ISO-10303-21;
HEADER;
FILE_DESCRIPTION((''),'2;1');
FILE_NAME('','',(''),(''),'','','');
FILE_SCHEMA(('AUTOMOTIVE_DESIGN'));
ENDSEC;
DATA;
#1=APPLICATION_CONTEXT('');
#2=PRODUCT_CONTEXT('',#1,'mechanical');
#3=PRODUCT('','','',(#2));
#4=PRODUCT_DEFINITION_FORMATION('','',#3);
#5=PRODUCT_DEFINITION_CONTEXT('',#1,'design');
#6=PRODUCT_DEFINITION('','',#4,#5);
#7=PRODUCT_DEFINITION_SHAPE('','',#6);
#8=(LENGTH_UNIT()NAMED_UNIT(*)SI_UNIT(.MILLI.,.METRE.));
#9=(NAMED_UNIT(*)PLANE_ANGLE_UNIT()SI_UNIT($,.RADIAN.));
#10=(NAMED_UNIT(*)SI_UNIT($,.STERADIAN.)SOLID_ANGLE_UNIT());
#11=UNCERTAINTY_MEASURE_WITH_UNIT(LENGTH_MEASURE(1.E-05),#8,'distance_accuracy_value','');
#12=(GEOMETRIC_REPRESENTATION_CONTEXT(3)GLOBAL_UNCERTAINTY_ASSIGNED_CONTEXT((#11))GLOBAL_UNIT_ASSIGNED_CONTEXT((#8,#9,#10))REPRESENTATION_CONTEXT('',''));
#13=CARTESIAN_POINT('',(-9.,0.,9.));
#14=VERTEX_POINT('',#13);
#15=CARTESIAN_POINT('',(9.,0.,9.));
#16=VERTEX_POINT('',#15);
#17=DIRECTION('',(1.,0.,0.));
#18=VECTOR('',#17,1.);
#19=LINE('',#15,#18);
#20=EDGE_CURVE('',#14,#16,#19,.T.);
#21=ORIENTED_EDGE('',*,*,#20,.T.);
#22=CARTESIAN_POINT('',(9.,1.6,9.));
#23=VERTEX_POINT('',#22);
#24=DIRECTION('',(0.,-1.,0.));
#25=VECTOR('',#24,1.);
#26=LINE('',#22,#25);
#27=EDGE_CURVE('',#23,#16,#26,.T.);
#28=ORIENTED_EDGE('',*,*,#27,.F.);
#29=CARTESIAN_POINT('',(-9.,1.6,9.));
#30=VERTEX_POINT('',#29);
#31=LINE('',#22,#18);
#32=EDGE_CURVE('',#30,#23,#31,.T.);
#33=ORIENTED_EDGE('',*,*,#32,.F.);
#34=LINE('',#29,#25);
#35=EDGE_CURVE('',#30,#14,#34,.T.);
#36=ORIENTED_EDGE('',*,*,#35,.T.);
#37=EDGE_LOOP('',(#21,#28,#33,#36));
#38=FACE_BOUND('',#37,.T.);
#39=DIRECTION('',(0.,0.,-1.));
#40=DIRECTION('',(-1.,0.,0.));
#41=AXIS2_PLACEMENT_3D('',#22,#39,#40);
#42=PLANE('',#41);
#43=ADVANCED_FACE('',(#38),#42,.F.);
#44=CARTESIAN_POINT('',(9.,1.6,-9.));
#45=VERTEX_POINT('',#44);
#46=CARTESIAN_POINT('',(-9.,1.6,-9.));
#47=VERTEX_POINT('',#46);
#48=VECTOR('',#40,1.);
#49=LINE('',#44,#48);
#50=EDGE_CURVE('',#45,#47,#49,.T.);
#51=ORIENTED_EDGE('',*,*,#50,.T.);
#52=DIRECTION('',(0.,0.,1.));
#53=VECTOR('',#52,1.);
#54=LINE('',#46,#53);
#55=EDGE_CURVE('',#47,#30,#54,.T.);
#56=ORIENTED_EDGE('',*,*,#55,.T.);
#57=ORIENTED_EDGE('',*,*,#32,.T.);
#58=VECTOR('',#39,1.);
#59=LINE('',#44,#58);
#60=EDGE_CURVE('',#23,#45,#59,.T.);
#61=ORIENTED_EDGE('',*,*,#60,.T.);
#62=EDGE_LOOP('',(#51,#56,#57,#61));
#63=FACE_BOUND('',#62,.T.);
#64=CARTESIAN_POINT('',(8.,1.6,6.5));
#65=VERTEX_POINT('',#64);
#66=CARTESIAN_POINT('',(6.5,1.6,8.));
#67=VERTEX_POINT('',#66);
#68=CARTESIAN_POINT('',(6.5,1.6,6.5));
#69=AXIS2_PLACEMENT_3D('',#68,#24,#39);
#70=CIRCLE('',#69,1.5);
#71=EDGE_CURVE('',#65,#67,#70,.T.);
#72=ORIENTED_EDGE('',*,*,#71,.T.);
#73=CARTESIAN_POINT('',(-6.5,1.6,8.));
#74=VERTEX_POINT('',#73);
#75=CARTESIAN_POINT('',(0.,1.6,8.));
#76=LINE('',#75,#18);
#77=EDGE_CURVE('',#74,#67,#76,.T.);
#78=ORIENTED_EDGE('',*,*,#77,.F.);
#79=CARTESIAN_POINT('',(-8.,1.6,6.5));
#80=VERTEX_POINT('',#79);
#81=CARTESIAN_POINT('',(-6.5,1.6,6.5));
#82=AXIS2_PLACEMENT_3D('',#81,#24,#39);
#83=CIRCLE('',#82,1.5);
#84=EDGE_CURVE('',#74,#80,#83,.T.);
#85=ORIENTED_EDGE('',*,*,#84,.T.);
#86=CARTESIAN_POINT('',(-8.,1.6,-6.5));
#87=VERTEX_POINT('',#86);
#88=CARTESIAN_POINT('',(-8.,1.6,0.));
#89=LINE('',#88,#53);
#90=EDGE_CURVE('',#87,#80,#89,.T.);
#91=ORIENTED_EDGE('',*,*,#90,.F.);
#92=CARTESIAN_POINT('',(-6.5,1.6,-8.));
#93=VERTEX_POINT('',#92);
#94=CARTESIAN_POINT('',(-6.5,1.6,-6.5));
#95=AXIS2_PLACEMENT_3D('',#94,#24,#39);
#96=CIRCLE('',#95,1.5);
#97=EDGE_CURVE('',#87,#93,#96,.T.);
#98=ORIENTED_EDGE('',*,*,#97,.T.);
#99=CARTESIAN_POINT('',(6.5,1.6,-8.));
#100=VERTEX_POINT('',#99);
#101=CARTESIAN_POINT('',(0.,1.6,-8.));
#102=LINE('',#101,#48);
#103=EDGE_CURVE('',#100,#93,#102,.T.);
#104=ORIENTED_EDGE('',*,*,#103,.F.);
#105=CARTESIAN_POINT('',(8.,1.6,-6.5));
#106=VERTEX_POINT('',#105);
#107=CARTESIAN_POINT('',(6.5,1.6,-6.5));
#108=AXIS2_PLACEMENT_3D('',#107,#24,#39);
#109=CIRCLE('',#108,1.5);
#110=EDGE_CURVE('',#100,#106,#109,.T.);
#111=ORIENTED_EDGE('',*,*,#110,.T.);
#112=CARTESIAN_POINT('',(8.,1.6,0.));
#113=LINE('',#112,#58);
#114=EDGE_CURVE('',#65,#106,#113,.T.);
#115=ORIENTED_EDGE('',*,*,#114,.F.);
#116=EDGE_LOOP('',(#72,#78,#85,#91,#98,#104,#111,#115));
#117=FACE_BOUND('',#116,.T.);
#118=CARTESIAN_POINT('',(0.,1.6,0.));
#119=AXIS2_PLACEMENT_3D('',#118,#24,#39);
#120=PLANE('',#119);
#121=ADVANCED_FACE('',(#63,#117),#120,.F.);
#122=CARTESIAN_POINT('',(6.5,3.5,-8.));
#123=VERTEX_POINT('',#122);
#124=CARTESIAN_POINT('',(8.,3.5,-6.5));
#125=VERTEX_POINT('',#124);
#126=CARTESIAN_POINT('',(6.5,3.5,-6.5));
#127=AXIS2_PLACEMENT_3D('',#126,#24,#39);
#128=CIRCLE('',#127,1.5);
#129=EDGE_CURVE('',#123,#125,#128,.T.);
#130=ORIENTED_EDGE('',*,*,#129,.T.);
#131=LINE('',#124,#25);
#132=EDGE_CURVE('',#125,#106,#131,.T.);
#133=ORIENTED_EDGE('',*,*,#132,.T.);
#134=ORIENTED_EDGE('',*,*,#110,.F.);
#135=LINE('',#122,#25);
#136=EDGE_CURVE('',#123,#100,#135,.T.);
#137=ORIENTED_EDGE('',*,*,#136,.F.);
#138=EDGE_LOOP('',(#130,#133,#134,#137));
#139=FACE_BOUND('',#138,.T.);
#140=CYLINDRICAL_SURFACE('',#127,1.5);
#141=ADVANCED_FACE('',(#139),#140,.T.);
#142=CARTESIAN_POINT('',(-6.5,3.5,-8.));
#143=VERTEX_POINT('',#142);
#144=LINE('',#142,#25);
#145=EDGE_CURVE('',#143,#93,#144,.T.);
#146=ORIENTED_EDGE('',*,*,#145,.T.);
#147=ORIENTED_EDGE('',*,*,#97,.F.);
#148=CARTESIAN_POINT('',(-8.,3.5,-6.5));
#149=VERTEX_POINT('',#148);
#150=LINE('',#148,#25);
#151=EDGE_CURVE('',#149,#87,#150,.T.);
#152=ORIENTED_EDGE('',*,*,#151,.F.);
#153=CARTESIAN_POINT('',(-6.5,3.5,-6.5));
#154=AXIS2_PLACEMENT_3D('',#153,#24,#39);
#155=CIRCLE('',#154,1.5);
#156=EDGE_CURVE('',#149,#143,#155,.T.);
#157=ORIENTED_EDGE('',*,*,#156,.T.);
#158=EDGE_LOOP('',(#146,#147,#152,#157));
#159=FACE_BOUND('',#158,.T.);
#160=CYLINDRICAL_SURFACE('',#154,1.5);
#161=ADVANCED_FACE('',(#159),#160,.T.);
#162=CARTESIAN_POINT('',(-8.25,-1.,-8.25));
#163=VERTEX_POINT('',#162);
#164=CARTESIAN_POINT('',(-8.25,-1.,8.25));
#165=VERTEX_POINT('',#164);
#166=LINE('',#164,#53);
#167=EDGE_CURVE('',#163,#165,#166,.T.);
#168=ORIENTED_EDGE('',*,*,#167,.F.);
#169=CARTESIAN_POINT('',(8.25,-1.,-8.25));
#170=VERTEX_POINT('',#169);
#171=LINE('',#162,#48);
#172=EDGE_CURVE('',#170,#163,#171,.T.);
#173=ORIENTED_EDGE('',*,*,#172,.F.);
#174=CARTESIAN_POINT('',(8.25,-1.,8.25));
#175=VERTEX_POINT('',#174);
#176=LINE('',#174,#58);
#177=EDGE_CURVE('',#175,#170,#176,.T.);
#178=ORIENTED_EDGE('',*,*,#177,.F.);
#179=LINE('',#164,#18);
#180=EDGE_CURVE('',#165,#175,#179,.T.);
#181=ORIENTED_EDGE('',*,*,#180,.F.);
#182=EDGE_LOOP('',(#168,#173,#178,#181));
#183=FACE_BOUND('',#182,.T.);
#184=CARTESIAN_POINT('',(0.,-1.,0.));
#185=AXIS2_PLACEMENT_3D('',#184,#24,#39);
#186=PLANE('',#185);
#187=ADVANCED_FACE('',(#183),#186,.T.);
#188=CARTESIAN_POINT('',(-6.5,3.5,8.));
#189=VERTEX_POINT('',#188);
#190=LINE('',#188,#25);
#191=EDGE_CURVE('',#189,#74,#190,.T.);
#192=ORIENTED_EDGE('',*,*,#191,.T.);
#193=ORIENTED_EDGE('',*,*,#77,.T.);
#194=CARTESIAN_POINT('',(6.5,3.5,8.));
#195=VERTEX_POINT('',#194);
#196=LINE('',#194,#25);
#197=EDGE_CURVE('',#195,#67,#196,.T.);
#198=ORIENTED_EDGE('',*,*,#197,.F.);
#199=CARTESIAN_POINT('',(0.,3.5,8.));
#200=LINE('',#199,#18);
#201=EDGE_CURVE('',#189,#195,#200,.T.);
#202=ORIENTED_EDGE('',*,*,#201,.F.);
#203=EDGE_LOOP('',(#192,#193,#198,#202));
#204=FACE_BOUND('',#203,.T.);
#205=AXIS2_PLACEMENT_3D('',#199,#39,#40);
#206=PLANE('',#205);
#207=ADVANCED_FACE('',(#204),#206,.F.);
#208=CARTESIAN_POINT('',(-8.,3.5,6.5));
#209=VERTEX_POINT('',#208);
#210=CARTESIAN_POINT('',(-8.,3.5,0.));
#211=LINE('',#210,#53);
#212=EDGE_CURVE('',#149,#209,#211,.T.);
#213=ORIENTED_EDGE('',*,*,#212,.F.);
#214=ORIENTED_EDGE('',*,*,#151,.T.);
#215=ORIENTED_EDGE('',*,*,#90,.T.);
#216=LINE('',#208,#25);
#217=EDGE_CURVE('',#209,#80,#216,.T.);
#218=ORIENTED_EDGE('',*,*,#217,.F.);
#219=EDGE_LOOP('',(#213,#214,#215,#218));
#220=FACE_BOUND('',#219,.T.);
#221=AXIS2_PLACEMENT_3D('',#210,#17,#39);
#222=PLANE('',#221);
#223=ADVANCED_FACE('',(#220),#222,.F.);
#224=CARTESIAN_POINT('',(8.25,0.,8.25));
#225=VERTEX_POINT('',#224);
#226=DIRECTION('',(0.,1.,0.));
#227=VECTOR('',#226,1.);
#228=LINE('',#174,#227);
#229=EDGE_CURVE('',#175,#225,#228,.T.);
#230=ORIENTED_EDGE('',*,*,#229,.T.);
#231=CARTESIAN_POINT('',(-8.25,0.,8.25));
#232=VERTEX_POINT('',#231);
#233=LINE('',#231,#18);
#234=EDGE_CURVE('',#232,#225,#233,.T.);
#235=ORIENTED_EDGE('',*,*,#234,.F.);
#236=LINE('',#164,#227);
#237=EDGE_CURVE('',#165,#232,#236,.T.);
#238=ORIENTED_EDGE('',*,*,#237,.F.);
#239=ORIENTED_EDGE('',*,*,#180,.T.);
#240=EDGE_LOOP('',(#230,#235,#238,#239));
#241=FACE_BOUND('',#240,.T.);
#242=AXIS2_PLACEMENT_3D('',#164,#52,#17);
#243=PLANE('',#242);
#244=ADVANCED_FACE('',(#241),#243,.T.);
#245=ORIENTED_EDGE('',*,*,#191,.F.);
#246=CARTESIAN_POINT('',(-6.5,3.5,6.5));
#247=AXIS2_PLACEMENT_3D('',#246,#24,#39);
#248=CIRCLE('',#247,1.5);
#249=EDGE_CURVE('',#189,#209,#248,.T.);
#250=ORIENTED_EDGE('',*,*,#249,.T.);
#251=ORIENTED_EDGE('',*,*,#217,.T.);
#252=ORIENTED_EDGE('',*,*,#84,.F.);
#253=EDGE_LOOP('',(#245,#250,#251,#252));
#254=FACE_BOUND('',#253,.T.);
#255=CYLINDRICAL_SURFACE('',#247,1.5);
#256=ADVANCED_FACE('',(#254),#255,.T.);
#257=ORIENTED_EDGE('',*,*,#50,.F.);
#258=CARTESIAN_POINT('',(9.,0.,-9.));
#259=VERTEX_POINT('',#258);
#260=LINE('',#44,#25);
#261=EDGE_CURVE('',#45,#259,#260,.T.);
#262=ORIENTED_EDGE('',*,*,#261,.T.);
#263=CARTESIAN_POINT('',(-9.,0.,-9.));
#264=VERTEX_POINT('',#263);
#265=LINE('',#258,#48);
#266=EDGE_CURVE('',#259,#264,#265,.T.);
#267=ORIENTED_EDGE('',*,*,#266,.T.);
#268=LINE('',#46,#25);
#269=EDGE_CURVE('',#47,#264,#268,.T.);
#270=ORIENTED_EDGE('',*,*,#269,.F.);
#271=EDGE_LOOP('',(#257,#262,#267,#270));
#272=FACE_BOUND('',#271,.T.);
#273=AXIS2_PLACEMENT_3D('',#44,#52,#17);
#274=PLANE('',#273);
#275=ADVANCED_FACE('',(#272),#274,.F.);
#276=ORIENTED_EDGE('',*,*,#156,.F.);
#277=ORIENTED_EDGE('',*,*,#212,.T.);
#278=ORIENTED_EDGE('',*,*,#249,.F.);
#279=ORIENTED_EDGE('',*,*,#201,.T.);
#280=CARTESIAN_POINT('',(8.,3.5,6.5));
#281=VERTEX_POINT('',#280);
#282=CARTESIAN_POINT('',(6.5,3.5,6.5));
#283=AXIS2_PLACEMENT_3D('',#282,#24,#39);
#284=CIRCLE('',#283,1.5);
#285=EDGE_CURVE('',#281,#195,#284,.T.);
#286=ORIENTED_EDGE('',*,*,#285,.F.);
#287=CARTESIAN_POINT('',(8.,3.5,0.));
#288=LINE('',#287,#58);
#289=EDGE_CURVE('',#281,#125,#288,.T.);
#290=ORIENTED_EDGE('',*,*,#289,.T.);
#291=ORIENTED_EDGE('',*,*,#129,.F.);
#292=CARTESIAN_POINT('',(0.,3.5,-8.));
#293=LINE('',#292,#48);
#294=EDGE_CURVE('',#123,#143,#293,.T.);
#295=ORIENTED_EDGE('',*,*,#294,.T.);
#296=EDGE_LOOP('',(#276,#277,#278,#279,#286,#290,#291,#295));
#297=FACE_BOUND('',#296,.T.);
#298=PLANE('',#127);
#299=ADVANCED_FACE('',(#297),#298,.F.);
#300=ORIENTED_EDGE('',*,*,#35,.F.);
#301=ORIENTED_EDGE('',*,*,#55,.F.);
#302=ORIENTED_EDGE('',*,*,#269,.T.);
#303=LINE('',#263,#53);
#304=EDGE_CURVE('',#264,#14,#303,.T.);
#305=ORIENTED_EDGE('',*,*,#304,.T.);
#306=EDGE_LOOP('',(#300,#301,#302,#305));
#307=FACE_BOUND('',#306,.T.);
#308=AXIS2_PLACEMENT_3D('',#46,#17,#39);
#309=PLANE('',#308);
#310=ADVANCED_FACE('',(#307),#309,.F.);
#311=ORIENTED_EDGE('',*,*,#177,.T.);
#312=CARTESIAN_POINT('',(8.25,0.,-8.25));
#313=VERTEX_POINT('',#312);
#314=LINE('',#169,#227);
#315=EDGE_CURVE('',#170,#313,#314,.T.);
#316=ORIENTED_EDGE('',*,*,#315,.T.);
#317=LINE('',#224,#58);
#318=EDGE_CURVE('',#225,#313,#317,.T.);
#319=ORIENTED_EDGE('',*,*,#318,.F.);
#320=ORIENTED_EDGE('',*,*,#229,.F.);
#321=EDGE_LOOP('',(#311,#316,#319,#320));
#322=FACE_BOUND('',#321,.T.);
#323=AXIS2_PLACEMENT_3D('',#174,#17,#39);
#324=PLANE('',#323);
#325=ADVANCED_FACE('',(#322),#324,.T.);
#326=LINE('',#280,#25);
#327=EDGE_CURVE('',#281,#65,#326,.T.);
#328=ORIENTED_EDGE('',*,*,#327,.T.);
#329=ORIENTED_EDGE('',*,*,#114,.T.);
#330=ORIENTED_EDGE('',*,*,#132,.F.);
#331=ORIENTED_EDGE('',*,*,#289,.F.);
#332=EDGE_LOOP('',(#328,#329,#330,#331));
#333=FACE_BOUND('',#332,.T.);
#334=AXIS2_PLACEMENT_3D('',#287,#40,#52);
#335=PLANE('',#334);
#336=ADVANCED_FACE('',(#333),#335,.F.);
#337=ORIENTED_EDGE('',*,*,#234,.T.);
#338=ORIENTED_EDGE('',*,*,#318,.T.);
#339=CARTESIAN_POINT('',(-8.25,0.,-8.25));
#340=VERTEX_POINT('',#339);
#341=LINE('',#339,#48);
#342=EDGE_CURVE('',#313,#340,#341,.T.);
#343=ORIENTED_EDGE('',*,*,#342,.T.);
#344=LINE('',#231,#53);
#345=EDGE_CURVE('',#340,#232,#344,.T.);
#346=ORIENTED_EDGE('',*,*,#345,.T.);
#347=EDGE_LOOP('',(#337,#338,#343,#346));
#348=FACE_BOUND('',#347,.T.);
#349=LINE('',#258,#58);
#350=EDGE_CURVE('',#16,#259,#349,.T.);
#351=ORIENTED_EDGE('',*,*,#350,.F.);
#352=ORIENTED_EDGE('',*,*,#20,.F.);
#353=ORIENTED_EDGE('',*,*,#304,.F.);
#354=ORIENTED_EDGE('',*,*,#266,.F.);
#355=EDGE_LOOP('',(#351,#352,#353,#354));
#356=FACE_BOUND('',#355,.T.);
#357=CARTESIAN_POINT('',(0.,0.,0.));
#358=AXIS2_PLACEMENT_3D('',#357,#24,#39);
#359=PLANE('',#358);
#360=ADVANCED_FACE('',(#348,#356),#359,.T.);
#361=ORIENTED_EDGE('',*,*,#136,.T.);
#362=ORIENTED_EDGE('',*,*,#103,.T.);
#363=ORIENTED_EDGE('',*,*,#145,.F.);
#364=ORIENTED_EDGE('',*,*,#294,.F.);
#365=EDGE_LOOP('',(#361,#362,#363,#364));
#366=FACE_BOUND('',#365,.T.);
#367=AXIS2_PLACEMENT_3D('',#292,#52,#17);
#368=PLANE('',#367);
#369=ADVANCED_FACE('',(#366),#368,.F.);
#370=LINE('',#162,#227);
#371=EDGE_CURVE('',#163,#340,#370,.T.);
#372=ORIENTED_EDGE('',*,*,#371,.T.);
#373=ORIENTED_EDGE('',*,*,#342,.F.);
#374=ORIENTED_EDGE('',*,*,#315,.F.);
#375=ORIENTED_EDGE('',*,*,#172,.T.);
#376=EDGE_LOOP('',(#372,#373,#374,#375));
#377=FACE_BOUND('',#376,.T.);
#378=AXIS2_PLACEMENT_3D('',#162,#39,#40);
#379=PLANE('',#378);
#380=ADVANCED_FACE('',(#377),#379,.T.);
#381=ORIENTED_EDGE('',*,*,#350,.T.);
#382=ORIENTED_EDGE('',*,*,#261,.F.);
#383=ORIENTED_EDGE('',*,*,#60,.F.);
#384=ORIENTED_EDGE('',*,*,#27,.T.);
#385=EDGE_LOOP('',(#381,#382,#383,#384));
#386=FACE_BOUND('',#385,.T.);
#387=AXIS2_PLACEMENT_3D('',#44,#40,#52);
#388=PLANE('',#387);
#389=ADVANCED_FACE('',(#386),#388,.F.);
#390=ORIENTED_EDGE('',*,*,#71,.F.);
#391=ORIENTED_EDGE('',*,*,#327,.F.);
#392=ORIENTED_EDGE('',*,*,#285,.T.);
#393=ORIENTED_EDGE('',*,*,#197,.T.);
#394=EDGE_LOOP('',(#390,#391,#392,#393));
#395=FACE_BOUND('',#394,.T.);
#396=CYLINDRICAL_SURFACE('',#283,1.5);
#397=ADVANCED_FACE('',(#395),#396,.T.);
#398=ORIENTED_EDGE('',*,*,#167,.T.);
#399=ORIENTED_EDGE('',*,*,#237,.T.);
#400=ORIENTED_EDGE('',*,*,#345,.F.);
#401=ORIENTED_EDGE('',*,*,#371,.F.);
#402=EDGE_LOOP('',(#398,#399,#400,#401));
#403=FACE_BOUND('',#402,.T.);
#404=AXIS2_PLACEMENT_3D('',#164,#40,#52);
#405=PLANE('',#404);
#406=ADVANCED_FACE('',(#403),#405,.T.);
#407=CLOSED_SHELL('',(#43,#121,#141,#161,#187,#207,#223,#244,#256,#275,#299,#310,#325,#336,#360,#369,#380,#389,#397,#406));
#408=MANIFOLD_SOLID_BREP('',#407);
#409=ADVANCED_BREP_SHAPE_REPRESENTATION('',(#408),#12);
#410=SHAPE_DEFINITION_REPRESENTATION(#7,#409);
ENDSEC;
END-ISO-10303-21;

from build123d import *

# Parameters (mm, degrees)
SKETCH_1_W      = 18
SKETCH_1_H      = 18
EXTRUDE_1_DEPTH = 1.6
EXTRUDE_START   = 1.6
EXTRUDE_2_DEPTH = 1.9
SKETCH_3_W      = 16.5
SKETCH_3_H      = 16.5
EXTRUDE_3_DEPTH = 1


with BuildPart() as part:
    # 草图1 → 凸台-拉伸1 (new body)
    with BuildSketch(Plane(origin=(0, 0, 0), x_dir=(1, 0, 0), z_dir=(0, 1, 0))):
        Rectangle(SKETCH_1_W, SKETCH_1_H)
    extrude(amount=EXTRUDE_1_DEPTH)

    # 草图2 → 凸台-拉伸2 (add)
    with BuildSketch(Plane(origin=(0, 0, 0), x_dir=(1, 0, 0), z_dir=(0, 1, 0)).offset(EXTRUDE_START)):
        with BuildLine():
            Line((-6.5, 8), (6.5, 8))
            ThreePointArc((6.5, 8), (7.560660172, 7.560660172), (8, 6.5))
            Line((8, 6.5), (8, -6.5))
            ThreePointArc((8, -6.5), (7.560660172, -7.560660172), (6.5, -8))
            Line((6.5, -8), (-6.5, -8))
            ThreePointArc((-6.5, -8), (-7.560660172, -7.560660172), (-8, -6.5))
            Line((-8, -6.5), (-8, 6.5))
            ThreePointArc((-8, 6.5), (-7.560660172, 7.560660172), (-6.5, 8))
        make_face()
    extrude(amount=EXTRUDE_2_DEPTH)

    # 草图3 → 凸台-拉伸3 (add)
    with BuildSketch(Plane(origin=(0, 0, 0), x_dir=(1, 0, 0), z_dir=(0, 1, 0))):
        Rectangle(SKETCH_3_W, SKETCH_3_H)
    extrude(amount=-EXTRUDE_3_DEPTH)


solid = part.part
